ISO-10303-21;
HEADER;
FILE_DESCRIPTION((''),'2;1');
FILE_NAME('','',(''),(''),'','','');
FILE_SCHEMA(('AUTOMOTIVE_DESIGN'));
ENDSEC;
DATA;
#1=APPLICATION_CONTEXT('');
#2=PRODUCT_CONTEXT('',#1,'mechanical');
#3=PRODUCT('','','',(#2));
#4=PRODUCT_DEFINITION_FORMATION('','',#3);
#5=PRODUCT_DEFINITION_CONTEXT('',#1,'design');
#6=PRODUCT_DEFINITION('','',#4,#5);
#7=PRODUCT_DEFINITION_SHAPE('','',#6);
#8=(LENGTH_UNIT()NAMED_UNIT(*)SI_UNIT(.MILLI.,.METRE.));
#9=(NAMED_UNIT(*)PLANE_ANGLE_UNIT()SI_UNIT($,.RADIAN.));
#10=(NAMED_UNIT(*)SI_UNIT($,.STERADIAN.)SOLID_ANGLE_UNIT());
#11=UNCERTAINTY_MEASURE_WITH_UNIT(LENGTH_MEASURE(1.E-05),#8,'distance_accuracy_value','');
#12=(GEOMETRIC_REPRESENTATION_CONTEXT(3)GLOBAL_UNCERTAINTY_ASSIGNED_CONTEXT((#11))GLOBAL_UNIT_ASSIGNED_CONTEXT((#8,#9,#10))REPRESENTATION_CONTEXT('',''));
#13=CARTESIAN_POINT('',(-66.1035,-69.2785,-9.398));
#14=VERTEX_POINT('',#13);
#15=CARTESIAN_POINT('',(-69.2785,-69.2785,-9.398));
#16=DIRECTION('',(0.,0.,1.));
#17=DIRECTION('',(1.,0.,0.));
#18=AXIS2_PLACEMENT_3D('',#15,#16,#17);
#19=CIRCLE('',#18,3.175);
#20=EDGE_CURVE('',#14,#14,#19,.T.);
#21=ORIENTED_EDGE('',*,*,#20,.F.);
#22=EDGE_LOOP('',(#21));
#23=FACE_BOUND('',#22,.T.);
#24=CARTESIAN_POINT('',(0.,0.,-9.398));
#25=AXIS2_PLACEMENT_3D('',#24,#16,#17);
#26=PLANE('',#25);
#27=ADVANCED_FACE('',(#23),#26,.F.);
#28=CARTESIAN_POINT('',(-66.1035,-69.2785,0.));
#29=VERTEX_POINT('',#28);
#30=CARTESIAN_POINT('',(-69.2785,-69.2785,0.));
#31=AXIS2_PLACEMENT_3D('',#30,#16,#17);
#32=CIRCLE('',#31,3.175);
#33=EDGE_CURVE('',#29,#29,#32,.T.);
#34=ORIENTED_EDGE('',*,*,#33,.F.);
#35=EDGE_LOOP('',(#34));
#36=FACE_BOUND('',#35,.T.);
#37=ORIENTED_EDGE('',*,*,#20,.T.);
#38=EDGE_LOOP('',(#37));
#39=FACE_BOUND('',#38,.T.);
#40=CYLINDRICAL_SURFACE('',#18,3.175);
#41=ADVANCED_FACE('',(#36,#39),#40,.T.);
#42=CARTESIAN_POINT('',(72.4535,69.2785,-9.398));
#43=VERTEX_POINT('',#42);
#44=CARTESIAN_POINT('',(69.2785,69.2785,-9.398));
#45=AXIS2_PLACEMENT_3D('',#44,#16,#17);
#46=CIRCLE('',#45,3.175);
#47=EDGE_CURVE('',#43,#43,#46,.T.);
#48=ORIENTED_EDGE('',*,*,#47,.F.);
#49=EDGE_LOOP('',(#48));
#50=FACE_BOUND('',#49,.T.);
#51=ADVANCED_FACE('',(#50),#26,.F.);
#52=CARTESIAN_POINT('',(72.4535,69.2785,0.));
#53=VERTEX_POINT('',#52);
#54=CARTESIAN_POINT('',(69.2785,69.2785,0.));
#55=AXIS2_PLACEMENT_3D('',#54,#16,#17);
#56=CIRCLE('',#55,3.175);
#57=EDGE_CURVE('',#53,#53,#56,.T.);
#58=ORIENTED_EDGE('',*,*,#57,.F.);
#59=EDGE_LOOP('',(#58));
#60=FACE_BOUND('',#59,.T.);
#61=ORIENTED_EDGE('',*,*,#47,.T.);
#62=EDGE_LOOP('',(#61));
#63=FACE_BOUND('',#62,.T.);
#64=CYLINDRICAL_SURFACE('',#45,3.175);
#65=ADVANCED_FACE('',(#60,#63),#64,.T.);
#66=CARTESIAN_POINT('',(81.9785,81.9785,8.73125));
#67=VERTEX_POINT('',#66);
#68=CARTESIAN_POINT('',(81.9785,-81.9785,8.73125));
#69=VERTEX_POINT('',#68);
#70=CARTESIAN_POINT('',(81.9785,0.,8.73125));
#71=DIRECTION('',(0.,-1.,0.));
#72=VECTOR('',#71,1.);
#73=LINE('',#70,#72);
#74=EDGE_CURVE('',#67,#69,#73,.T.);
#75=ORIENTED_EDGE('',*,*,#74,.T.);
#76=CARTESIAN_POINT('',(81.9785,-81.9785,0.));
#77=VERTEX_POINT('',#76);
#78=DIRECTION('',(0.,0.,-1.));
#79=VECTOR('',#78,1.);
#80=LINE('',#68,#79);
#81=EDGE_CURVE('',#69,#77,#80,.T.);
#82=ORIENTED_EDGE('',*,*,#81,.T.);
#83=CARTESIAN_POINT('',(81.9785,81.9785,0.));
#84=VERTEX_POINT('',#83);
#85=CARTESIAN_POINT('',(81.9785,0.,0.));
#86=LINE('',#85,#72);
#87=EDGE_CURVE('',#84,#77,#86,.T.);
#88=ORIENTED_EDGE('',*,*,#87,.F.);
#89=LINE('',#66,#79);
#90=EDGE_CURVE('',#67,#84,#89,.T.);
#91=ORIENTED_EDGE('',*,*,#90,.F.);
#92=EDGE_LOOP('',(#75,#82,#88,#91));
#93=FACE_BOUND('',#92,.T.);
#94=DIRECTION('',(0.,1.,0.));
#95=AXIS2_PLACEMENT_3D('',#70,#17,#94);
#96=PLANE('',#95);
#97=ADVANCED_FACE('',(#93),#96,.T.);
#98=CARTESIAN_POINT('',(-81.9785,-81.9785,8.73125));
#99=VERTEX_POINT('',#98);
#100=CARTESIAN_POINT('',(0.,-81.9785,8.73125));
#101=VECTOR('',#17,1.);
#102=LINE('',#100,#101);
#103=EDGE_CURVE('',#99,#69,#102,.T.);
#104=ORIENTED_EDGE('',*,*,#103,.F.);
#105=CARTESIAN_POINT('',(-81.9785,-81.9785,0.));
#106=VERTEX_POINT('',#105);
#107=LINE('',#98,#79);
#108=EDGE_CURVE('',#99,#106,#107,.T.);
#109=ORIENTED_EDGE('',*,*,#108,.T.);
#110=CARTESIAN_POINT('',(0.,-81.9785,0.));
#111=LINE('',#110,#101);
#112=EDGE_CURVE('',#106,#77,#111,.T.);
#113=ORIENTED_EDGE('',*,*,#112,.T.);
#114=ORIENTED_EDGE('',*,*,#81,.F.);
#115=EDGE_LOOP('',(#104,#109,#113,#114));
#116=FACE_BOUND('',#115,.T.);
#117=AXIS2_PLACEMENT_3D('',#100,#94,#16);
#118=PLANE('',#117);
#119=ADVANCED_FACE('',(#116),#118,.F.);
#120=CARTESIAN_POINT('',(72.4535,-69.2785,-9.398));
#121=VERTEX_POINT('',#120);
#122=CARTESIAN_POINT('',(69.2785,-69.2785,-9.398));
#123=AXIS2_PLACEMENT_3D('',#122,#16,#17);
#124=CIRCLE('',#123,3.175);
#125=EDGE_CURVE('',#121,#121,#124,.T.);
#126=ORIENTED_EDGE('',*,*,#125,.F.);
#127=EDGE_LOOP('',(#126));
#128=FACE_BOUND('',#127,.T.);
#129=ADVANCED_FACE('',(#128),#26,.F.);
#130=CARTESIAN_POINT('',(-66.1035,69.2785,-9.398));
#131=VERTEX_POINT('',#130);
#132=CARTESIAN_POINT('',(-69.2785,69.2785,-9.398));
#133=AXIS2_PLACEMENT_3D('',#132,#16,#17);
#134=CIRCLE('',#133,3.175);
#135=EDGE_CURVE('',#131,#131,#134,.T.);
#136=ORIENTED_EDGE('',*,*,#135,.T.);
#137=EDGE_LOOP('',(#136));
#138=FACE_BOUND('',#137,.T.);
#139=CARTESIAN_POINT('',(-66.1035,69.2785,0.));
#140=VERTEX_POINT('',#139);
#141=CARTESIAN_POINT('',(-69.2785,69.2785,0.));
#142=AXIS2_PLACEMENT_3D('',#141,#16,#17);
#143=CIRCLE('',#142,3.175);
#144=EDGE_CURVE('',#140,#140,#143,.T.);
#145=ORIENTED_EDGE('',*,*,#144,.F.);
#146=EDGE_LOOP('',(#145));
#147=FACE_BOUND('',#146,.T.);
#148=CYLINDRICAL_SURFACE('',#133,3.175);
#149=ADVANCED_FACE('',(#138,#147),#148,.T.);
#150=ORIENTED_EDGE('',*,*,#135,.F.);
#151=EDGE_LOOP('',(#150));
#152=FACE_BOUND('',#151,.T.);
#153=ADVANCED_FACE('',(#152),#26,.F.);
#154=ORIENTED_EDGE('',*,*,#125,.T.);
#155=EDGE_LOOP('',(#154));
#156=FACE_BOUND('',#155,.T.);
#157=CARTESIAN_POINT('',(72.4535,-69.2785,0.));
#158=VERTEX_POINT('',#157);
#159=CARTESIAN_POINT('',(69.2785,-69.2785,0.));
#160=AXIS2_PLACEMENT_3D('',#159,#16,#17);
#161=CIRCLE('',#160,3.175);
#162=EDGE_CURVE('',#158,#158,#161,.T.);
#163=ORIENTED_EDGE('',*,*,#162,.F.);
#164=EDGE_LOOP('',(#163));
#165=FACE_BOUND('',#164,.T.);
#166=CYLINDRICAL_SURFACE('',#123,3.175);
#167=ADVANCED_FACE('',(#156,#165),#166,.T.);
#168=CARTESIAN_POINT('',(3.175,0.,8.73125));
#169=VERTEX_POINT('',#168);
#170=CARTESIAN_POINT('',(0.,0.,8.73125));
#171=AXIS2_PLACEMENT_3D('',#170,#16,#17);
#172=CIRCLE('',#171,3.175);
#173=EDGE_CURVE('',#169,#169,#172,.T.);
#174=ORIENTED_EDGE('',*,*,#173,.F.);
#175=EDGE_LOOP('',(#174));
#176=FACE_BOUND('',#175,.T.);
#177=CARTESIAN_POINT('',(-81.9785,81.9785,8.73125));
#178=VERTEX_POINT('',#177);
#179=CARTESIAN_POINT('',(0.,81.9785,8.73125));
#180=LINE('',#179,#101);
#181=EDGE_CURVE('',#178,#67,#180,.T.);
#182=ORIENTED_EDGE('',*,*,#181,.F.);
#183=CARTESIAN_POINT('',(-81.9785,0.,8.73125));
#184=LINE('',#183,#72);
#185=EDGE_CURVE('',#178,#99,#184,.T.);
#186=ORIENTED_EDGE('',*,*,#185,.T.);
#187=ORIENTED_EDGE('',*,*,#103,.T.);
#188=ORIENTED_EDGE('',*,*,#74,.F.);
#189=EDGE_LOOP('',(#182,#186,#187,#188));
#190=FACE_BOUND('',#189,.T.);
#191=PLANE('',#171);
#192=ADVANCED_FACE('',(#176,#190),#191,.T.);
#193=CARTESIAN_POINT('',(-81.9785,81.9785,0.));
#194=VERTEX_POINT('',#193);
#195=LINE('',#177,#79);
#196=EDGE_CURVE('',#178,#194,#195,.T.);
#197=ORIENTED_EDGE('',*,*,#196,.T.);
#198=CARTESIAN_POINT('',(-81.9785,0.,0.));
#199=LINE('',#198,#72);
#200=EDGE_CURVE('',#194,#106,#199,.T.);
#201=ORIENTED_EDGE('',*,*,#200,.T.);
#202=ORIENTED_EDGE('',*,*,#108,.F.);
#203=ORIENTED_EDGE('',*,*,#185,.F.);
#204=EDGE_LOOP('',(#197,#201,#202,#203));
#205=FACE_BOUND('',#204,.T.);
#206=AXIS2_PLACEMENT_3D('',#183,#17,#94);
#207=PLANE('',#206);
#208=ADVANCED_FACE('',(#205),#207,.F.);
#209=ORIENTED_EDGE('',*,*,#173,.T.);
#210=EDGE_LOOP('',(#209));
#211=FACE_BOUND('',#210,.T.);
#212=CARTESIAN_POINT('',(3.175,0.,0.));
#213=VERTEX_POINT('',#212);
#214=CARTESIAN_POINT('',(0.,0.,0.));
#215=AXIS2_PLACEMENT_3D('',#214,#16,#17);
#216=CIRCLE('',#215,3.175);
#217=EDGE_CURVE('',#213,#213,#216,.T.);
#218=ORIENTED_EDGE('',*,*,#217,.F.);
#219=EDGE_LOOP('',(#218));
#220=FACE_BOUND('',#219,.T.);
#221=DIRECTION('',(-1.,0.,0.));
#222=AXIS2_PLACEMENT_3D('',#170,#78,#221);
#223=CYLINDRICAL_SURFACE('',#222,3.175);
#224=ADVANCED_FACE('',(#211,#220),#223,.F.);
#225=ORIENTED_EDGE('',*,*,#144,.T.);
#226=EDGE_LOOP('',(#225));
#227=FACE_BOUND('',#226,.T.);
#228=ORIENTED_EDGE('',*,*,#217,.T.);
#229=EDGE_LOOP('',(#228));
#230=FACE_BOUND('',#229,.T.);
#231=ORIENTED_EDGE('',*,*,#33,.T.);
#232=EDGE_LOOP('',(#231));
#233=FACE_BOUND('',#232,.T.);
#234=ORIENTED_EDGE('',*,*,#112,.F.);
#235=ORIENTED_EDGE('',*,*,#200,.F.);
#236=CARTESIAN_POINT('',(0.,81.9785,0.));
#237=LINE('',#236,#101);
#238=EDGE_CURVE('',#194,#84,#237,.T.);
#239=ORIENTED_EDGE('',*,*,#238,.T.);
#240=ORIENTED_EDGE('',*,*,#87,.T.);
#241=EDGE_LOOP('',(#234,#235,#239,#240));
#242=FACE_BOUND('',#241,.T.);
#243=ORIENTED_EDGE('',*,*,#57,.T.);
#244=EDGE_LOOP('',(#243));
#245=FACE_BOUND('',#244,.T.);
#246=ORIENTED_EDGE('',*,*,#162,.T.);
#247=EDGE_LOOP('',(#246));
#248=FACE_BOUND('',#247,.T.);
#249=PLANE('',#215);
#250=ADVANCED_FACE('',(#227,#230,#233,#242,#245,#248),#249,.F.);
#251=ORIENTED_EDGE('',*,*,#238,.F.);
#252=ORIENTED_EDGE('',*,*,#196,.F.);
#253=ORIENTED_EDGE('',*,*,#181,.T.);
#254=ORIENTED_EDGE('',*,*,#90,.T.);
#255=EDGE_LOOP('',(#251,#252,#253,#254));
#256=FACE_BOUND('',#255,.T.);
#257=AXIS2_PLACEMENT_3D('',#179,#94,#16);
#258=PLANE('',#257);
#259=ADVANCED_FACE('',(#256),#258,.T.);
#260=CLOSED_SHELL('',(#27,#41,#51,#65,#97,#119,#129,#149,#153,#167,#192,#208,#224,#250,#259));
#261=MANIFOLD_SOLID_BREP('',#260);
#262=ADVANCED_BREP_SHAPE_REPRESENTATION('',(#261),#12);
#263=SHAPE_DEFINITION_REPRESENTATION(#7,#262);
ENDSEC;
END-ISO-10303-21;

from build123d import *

# Parameters (mm, degrees)
SKETCH1_W           = 163.957
SKETCH1_H           = 163.957
SKETCH1_R           = 3.175
BOSS_EXTRUDE1_DEPTH = 8.73125
SKETCH1_5_R         = 3.175
BOSS_EXTRUDE4_DEPTH = 9.398


with BuildPart() as part:
    # Sketch1 → Boss-Extrude1 (new body)
    with BuildSketch(Plane.XY):
        Rectangle(SKETCH1_W, SKETCH1_H)
        Circle(SKETCH1_R, mode=Mode.SUBTRACT)
    extrude(amount=BOSS_EXTRUDE1_DEPTH)

    # Sketch1<5> → Boss-Extrude4 (add)
    with BuildSketch(Plane.XY):
        with Locations((-69.2785, 69.2785)):
            Circle(SKETCH1_5_R)
        with Locations((69.2785, 69.2785)):
            Circle(SKETCH1_5_R)
        with Locations((69.2785, -69.2785)):
            Circle(SKETCH1_5_R)
        with Locations((-69.2785, -69.2785)):
            Circle(SKETCH1_5_R)
    extrude(amount=-BOSS_EXTRUDE4_DEPTH)


solid = part.part
